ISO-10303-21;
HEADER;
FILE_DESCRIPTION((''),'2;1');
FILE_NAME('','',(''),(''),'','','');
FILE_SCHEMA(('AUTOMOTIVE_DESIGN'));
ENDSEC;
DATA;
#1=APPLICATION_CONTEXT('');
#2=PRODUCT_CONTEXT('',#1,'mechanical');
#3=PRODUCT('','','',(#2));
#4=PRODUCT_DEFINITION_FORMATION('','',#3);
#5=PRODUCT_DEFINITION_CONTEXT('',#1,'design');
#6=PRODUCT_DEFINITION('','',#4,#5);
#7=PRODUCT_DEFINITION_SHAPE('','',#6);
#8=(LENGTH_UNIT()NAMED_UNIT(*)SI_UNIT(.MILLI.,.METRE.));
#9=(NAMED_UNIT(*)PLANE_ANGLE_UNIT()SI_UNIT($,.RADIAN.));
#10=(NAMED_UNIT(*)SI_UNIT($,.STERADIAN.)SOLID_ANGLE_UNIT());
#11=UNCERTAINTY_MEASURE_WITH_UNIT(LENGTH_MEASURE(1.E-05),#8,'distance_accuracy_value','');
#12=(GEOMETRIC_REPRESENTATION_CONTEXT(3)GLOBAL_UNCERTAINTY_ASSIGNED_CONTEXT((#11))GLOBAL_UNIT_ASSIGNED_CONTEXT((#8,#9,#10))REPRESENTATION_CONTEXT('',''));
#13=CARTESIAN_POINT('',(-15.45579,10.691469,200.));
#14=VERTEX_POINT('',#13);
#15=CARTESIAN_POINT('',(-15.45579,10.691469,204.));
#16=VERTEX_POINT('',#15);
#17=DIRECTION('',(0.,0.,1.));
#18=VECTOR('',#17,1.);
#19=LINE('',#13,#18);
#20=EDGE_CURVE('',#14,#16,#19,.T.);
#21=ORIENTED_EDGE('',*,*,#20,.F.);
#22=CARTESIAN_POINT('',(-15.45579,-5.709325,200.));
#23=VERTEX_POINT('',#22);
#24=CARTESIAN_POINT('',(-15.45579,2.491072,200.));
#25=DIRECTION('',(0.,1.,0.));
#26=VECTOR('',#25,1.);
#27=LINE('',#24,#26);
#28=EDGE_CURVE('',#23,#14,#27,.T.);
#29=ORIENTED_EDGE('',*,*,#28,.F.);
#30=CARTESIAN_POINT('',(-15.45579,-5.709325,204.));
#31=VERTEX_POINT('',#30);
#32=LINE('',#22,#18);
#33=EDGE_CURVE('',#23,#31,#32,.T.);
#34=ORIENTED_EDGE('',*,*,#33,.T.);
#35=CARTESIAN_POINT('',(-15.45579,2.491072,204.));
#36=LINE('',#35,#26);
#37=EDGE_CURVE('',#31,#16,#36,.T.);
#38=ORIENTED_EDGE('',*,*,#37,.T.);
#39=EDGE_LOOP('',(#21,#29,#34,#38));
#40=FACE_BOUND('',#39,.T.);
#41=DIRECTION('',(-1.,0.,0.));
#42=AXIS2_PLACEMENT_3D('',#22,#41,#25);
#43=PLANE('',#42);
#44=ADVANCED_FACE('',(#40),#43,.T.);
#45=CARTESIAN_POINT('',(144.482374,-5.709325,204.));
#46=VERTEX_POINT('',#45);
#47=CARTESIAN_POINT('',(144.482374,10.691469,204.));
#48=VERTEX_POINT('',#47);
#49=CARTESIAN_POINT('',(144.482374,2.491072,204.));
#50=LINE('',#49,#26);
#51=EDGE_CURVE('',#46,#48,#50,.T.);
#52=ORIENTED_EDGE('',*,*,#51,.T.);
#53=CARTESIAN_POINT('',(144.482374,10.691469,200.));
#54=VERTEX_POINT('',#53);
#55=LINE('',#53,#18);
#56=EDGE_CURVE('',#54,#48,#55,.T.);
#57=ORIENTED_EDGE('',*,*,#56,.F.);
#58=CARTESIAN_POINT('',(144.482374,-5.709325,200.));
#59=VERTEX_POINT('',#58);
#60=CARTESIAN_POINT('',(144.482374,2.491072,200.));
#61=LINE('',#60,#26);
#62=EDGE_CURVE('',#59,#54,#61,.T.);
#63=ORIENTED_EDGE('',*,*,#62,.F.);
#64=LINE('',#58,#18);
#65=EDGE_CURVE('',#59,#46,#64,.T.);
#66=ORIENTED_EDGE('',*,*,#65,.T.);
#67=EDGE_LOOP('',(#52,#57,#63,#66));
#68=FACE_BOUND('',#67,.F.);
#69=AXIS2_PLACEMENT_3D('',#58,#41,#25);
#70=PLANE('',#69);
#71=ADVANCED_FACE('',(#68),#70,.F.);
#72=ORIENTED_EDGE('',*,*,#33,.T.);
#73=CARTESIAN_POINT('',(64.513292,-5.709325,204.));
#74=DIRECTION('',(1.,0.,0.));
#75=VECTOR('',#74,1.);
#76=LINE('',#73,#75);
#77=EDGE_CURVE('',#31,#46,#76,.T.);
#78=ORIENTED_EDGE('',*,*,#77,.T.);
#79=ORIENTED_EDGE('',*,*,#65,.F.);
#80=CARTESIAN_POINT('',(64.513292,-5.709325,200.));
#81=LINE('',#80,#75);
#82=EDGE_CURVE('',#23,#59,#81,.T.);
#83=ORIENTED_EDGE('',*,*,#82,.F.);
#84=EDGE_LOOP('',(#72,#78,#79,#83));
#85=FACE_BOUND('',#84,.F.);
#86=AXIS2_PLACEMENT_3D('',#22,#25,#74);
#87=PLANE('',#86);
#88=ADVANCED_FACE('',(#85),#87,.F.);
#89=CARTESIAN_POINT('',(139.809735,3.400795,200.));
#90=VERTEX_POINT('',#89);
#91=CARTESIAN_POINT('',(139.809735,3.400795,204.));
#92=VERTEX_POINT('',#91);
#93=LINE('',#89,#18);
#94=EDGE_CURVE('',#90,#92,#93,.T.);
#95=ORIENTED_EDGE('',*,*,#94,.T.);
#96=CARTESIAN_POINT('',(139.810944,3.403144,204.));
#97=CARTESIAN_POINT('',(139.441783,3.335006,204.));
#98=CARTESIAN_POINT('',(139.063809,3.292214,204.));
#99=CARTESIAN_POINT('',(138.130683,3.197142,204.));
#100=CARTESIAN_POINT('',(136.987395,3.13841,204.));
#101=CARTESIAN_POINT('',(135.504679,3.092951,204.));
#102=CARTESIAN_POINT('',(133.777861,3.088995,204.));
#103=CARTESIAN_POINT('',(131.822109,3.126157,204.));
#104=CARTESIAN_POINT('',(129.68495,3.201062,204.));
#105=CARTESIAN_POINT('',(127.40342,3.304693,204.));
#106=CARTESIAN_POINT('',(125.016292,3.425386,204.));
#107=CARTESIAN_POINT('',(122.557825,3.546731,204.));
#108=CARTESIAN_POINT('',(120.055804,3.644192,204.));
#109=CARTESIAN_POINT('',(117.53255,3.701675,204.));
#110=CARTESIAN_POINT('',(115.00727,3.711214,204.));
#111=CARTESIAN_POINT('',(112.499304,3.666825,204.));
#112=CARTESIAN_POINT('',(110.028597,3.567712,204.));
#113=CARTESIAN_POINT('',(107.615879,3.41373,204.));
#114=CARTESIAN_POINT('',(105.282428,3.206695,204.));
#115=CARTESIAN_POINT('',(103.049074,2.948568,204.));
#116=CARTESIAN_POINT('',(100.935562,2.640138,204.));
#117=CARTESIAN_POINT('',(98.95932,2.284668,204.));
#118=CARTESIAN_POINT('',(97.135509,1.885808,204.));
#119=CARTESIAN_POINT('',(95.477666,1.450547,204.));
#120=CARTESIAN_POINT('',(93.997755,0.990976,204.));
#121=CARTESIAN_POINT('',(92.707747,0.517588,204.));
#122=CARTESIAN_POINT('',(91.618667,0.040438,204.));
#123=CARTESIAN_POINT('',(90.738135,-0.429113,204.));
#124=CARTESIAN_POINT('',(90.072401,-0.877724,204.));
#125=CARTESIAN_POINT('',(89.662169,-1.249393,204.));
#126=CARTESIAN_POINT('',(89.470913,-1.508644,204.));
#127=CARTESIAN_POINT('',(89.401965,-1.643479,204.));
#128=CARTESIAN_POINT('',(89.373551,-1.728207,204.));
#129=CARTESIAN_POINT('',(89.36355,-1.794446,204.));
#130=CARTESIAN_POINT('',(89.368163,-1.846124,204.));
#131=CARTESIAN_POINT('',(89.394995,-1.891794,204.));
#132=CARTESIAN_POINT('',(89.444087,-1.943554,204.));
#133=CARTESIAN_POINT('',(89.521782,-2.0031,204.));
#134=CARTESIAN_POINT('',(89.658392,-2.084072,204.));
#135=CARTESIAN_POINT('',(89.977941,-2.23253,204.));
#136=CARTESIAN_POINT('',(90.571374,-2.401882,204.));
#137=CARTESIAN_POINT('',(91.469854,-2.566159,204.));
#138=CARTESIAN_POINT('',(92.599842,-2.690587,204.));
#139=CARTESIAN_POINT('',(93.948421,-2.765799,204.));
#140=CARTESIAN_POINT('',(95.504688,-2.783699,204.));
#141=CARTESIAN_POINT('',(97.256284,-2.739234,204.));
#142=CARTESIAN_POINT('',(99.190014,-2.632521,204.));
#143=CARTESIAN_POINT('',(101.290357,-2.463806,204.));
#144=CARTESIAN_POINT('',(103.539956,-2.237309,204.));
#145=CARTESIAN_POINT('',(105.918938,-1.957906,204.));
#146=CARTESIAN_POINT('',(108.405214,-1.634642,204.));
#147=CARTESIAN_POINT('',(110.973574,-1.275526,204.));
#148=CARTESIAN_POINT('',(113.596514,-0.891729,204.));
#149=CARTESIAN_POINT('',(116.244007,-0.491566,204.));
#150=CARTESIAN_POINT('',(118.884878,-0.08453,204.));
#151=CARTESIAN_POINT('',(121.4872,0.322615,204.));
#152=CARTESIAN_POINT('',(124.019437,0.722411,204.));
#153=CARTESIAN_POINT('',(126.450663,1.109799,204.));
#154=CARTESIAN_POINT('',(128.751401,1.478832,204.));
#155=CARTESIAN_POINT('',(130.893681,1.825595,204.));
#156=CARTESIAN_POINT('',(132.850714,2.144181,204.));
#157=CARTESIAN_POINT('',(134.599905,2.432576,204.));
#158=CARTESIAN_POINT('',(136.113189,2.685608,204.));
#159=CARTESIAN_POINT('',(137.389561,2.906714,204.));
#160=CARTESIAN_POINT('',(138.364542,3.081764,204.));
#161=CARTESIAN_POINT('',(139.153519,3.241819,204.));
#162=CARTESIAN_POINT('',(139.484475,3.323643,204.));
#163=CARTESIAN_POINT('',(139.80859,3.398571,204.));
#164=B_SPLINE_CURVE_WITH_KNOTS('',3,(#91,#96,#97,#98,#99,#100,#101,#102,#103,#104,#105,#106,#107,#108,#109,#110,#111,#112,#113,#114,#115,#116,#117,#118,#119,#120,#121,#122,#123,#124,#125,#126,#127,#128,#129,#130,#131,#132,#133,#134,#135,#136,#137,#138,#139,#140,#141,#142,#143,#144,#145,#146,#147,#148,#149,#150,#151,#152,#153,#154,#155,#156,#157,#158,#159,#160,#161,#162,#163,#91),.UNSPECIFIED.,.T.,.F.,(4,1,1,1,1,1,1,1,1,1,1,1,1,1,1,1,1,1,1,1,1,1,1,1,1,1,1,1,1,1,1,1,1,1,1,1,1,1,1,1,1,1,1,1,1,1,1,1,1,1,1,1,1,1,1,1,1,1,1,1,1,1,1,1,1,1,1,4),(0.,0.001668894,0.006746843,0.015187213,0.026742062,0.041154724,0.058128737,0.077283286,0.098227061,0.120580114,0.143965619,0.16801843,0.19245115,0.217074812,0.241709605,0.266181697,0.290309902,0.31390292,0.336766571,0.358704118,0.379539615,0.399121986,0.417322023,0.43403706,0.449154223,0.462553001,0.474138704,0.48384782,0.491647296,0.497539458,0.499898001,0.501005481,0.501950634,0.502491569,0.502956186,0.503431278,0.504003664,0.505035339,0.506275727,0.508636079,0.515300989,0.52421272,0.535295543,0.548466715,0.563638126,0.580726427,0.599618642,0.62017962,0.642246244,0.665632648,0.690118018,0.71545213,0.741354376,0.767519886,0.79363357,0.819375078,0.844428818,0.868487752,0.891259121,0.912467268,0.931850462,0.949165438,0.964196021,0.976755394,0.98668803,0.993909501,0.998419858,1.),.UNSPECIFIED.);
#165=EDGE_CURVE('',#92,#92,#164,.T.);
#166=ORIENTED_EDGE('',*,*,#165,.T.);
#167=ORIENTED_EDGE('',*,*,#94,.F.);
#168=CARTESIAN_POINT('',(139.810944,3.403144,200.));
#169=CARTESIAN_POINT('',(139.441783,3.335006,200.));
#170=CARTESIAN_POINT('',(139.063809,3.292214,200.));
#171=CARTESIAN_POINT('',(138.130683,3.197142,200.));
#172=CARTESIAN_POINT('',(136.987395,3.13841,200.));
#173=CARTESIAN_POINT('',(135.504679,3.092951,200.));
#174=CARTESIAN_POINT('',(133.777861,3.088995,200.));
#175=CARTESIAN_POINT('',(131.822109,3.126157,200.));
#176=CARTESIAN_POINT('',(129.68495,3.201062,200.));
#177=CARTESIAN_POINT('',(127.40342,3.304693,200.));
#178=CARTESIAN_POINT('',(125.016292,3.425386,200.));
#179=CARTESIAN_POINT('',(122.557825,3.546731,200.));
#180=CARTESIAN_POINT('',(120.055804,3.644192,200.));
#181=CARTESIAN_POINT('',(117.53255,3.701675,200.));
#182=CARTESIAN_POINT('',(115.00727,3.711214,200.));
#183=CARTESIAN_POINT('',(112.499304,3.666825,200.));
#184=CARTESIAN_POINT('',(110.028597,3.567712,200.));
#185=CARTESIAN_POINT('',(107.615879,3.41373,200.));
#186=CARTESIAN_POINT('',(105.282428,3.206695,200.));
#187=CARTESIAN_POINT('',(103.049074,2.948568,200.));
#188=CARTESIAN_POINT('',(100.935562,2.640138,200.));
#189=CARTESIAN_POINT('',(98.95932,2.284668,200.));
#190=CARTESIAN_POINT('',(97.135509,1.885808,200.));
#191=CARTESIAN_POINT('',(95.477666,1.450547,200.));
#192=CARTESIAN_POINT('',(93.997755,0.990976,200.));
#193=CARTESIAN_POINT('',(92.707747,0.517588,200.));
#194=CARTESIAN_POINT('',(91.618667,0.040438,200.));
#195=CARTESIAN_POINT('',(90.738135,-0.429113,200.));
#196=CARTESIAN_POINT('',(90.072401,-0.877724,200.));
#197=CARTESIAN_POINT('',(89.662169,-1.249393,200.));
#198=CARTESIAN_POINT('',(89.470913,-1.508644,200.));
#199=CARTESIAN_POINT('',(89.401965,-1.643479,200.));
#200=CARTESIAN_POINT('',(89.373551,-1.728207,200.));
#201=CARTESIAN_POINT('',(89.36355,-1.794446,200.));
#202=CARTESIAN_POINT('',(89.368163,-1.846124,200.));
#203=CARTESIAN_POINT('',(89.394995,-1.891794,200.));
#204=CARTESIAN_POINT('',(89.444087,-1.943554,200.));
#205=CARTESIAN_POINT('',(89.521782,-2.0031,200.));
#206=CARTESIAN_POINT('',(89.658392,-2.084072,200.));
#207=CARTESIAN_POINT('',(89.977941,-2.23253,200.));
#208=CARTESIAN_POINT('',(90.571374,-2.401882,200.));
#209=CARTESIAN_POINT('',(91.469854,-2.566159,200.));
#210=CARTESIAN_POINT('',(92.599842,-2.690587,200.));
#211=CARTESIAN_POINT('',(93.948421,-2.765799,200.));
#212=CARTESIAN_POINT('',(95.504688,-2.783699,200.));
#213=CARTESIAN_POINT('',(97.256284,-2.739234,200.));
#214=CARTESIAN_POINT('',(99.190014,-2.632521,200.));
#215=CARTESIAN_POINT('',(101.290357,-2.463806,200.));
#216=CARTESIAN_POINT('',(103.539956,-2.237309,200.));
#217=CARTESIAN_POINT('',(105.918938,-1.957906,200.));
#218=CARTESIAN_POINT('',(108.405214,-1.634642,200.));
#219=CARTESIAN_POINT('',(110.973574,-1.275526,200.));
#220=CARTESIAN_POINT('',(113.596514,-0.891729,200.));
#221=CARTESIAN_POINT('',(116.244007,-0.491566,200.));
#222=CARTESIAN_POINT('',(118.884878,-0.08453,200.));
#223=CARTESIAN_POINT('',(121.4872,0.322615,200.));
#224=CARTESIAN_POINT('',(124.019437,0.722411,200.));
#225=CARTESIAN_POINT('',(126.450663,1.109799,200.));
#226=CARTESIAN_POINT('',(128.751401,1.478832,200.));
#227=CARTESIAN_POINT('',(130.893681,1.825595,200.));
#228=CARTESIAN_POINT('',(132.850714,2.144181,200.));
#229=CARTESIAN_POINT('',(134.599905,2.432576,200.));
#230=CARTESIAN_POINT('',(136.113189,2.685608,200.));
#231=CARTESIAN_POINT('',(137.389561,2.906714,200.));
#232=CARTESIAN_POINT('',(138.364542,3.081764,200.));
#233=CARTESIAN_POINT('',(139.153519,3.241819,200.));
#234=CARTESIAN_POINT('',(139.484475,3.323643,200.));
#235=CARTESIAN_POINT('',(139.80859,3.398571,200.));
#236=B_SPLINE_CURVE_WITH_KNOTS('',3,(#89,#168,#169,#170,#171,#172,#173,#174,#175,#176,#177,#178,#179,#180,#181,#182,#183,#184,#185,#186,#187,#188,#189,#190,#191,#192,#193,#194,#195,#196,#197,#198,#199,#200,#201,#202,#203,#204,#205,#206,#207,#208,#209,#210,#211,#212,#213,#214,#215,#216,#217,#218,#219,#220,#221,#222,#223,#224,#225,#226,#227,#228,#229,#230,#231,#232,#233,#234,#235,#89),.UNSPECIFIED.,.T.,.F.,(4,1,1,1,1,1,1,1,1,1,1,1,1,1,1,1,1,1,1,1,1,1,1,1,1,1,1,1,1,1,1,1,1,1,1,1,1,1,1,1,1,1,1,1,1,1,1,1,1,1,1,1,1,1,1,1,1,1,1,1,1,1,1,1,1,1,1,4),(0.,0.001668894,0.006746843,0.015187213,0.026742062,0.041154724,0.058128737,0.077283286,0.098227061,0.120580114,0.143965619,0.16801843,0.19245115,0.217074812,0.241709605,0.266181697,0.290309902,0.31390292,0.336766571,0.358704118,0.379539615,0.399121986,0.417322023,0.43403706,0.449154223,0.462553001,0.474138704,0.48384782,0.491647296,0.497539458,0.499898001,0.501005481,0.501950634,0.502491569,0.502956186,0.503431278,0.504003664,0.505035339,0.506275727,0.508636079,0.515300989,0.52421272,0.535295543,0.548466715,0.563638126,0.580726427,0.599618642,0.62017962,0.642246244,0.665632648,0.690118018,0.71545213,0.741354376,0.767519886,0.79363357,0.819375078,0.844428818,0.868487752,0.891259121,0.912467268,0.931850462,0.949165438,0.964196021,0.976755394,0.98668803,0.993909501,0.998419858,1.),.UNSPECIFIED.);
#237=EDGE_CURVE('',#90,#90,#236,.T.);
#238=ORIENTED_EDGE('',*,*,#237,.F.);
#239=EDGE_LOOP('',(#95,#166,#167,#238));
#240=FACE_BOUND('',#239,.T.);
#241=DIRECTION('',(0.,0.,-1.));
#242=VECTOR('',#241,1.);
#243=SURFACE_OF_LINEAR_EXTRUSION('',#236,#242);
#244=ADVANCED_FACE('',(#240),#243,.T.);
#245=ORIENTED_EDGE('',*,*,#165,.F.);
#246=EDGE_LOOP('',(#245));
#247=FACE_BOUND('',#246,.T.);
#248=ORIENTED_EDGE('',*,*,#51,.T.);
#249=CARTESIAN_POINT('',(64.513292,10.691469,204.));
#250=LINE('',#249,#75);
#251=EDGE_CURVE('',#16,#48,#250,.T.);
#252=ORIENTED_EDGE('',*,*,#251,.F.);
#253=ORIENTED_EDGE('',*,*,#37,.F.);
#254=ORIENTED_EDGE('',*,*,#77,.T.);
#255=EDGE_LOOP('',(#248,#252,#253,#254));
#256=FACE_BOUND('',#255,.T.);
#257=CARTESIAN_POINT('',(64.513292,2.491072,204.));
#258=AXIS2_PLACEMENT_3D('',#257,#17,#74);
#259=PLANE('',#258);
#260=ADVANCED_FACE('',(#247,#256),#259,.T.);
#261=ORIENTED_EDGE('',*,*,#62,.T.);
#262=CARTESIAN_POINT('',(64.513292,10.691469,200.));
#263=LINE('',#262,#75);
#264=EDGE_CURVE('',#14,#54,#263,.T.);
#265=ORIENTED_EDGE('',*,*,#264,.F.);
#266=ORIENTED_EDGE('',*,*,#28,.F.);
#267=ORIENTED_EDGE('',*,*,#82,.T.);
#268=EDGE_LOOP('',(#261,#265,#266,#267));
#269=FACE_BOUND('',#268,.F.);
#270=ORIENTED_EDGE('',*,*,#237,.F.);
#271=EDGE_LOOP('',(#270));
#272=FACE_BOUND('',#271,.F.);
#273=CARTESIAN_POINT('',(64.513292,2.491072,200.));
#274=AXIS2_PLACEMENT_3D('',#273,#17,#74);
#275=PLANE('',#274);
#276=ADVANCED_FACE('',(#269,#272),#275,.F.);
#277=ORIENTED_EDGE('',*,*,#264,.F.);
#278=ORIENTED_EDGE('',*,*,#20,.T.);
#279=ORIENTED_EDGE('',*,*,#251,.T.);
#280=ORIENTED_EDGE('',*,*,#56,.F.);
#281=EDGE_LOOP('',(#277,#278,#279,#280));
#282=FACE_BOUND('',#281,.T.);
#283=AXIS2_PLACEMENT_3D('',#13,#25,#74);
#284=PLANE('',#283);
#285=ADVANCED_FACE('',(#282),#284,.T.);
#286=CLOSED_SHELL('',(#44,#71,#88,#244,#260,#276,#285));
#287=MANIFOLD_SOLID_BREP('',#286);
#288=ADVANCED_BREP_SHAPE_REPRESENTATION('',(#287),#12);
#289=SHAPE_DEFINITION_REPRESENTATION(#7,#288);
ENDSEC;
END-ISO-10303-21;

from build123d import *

# Parameters (mm, degrees)
SKETCH1_W           = 159.938164059
SKETCH1_H           = 16.400794502
BOSS_EXTRUDE1_DEPTH = 4


with BuildPart() as part:
    # Sketch1 → Boss-Extrude1 (new body)
    with BuildSketch(Plane.XY.offset(200)):
        with Locations((64.513292045, 2.491072035)):
            Rectangle(SKETCH1_W, SKETCH1_H)
        with BuildLine():
            add(Edge.make_bspline(
                [(139.809734905, 3.400795127), (139.810943815, 3.40314409), (139.441782818, 3.335005524), (139.06380858, 3.292213836), (138.130683453, 3.197141627), (136.98739502, 3.138409801), (135.504679124, 3.092951416), (133.777860637, 3.088995278), (131.822109379, 3.1261572), (129.684950059, 3.201062007), (127.403419568, 3.304692748), (125.016292167, 3.425386346), (122.557825495, 3.546730628), (120.055804124, 3.6441916), (117.532550439, 3.701675459), (115.007270018, 3.711213927), (112.499304119, 3.666825398), (110.028597342, 3.567711715), (107.615879134, 3.41372961), (105.282428412, 3.206695473), (103.049074108, 2.9485684), (100.93556222, 2.640137899), (98.959320455, 2.284667661), (97.135508601, 1.885807525), (95.477665588, 1.450546924), (93.997754673, 0.990975598), (92.707747329, 0.517588035), (91.618667084, 0.040437929), (90.738135076, -0.429113327), (90.072400603, -0.877724237), (89.662169183, -1.249392728), (89.470912837, -1.508644272), (89.401965037, -1.643479263), (89.373551029, -1.728206649), (89.363549991, -1.79444568), (89.368163063, -1.846124222), (89.394994591, -1.891793558), (89.444086972, -1.943554048), (89.521782154, -2.003099508), (89.658392216, -2.084072066), (89.977941224, -2.2325301), (90.571373665, -2.401882295), (91.469854082, -2.566159204), (92.599842314, -2.690587435), (93.948420503, -2.765799107), (95.504688176, -2.783698796), (97.256284137, -2.739233817), (99.190014332, -2.632520866), (101.290357231, -2.463806272), (103.539956343, -2.237308622), (105.918937852, -1.957906262), (108.405214045, -1.634642289), (110.973573795, -1.275526235), (113.596514172, -0.891728672), (116.244007142, -0.491565883), (118.88487813, -0.084530083), (121.487199749, 0.322615351), (124.019437245, 0.722410591), (126.450662864, 1.109798554), (128.751400994, 1.478831733), (130.893680928, 1.825595396), (132.850714192, 2.144180826), (134.599905492, 2.432575528), (136.113188934, 2.685607978), (137.389560805, 2.906713731), (138.364542003, 3.081763584), (139.153518852, 3.241819058), (139.484475018, 3.323643414), (139.808590284, 3.398571082), (139.809734905, 3.400795127)],
                knots=[0, 0, 0, 0, 0.001668894, 0.006746843, 0.015187213, 0.026742062, 0.041154724, 0.058128737, 0.077283286, 0.098227061, 0.120580114, 0.143965619, 0.16801843, 0.19245115, 0.217074812, 0.241709605, 0.266181697, 0.290309902, 0.31390292, 0.336766571, 0.358704118, 0.379539615, 0.399121986, 0.417322023, 0.43403706, 0.449154223, 0.462553001, 0.474138704, 0.48384782, 0.491647296, 0.497539458, 0.499898001, 0.501005481, 0.501950634, 0.502491569, 0.502956186, 0.503431278, 0.504003664, 0.505035339, 0.506275727, 0.508636079, 0.515300989, 0.52421272, 0.535295543, 0.548466715, 0.563638126, 0.580726427, 0.599618642, 0.62017962, 0.642246244, 0.665632648, 0.690118018, 0.71545213, 0.741354376, 0.767519886, 0.79363357, 0.819375078, 0.844428818, 0.868487752, 0.891259121, 0.912467268, 0.931850462, 0.949165438, 0.964196021, 0.976755394, 0.98668803, 0.993909501, 0.998419858, 1, 1, 1, 1], degree=3))
        make_face(mode=Mode.SUBTRACT)
    extrude(amount=BOSS_EXTRUDE1_DEPTH)


solid = part.part
